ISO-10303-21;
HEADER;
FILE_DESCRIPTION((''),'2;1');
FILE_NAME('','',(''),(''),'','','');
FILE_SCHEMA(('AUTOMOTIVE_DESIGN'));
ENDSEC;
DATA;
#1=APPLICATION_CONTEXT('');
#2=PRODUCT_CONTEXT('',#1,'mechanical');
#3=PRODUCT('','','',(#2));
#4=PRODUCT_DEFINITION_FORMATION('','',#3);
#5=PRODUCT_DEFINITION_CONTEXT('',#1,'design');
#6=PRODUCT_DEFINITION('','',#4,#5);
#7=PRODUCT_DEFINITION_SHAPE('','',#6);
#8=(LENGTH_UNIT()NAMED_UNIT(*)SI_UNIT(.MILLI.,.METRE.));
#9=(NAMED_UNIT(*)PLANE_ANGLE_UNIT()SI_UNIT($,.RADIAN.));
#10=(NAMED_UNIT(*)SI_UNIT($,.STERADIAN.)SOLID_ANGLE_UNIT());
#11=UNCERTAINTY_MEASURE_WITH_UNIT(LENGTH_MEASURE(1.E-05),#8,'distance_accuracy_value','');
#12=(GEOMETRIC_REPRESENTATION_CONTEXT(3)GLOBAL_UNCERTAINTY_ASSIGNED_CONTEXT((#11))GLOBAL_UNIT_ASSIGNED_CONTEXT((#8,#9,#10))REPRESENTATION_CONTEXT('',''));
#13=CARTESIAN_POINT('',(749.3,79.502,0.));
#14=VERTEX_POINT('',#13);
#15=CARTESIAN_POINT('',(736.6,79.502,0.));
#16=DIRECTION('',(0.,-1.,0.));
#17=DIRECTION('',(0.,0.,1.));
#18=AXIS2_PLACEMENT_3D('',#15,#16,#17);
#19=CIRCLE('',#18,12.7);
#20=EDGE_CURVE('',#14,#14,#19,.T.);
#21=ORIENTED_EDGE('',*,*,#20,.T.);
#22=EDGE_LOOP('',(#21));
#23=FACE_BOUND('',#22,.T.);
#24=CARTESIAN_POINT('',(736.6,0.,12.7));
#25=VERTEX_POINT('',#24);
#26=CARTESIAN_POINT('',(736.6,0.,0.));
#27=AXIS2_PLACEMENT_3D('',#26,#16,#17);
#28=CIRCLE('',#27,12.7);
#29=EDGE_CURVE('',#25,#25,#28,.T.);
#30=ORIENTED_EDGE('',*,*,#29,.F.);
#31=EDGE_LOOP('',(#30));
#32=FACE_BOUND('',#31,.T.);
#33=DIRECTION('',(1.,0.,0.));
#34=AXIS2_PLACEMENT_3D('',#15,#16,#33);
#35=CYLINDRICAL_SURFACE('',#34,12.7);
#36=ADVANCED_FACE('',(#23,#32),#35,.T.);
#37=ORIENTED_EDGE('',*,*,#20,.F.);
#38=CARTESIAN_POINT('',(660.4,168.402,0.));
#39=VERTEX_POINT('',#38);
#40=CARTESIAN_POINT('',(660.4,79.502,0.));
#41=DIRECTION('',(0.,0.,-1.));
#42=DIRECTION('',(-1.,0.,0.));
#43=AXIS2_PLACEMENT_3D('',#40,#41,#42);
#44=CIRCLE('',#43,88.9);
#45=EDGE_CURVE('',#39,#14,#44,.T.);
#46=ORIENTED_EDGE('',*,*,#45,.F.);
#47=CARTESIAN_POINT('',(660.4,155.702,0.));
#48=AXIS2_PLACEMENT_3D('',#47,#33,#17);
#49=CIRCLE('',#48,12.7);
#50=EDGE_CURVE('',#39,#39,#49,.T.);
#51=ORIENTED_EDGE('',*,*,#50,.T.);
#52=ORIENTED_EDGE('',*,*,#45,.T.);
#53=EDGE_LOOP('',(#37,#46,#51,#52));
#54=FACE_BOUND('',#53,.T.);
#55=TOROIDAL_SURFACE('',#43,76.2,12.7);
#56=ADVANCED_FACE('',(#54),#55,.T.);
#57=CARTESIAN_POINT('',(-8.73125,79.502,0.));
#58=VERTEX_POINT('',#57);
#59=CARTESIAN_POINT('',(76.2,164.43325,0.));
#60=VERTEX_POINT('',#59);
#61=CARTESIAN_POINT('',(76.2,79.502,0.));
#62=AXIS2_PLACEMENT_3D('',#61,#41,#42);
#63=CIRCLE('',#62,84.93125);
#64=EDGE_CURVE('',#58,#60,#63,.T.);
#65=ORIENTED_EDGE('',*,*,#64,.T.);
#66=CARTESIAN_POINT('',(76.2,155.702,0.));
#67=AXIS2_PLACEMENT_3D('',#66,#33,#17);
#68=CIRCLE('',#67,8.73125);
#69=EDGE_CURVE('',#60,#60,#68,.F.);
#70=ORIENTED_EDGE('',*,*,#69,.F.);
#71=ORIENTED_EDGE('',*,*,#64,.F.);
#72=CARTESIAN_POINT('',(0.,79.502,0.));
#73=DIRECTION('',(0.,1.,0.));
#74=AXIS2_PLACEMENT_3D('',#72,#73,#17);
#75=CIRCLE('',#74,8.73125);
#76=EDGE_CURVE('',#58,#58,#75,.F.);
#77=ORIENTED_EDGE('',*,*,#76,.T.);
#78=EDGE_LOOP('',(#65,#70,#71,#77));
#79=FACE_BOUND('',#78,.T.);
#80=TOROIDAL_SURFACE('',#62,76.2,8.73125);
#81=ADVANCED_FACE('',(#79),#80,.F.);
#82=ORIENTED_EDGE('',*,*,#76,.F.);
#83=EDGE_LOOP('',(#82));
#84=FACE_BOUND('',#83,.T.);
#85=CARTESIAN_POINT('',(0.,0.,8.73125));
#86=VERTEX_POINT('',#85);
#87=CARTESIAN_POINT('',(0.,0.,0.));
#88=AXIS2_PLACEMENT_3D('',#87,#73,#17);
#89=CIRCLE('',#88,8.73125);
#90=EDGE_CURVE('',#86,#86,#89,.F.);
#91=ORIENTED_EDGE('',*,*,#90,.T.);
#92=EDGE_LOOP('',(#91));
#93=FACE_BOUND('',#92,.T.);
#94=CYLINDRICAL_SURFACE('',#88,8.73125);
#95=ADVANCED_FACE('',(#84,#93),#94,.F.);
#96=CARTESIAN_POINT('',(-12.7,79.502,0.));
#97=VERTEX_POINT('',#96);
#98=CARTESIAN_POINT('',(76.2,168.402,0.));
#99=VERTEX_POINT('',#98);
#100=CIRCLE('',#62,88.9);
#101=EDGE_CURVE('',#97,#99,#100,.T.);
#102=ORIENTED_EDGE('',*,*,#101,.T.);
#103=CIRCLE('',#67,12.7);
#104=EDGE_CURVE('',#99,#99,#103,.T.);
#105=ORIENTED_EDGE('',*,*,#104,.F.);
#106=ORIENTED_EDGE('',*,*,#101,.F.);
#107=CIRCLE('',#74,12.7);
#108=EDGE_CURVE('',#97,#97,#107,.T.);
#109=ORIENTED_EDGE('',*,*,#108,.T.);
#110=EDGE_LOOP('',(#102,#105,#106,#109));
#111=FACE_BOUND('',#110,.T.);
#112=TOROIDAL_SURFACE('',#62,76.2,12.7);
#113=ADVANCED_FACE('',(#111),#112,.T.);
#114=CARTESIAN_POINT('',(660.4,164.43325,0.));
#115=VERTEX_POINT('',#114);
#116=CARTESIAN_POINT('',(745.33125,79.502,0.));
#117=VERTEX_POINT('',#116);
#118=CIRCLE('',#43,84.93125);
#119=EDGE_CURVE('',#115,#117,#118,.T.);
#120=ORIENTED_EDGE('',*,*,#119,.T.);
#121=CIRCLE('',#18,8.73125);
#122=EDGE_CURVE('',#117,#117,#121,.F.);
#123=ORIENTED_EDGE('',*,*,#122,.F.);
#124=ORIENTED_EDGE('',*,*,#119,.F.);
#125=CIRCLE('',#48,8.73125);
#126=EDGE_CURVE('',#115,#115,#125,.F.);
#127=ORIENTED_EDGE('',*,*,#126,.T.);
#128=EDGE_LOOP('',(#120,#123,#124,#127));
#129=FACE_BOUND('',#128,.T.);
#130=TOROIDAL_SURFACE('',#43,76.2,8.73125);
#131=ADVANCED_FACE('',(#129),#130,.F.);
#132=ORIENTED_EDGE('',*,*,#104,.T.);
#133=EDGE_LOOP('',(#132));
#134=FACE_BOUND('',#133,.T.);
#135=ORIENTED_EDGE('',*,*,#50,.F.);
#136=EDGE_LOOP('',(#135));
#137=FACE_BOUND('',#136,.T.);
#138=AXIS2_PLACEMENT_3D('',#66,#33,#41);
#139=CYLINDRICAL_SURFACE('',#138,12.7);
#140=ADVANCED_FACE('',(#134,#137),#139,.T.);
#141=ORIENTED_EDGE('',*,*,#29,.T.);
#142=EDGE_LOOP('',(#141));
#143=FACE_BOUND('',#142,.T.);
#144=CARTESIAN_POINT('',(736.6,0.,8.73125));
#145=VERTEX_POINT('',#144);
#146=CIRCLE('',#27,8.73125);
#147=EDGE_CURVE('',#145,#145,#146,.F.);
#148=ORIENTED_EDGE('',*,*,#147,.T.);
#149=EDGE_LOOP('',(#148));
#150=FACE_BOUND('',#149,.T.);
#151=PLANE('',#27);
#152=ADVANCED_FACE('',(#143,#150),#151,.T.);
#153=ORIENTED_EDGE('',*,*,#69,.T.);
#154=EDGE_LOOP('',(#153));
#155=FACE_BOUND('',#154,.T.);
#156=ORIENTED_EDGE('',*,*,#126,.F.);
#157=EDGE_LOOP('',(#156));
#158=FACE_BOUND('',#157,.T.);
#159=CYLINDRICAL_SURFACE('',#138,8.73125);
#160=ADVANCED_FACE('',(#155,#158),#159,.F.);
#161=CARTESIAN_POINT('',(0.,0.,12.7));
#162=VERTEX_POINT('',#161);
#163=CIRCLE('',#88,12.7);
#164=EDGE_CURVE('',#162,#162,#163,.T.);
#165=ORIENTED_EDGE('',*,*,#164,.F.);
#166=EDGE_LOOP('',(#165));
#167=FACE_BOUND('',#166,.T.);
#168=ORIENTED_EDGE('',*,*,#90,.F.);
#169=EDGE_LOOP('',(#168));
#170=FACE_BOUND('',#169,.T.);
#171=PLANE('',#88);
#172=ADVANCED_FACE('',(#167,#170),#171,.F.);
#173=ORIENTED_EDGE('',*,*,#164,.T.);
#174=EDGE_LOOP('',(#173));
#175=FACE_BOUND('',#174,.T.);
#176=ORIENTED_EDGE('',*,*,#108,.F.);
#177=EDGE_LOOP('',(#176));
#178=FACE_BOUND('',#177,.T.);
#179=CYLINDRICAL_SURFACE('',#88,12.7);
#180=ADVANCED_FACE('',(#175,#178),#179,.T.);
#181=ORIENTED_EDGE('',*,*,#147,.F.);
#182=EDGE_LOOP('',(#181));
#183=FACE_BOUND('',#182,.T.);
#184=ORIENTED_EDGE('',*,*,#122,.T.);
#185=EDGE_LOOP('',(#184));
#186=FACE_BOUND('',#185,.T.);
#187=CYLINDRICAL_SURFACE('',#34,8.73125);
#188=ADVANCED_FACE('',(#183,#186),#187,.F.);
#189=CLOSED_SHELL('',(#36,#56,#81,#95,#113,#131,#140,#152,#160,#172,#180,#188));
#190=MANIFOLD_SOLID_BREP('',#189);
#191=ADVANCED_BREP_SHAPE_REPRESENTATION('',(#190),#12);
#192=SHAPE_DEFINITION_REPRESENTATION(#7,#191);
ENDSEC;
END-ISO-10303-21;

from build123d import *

# Parameters (mm, degrees)
SKETCH14_R   = 12.7
SKETCH14_R_2 = 8.73125


with BuildPart() as part:
    # Sweep2: sweep along a path in Sketch1
    with BuildLine(Plane.XY) as sweep2_path:
        Line((0, 0), (0, 79.502))
        ThreePointArc((0, 79.502), (22.318463274, 133.383536726), (76.2, 155.702))
        Line((76.2, 155.702), (660.4, 155.702))
        ThreePointArc((660.4, 155.702), (714.281536726, 133.383536726), (736.6, 79.502))
        Line((736.6, 79.502), (736.6, 0))
    # Sketch14 → Sweep2 (sweep)
    with BuildSketch(Plane(origin=(0, 0, 0), x_dir=(1, 0, 0), z_dir=(0, 1, 0))):
        Circle(SKETCH14_R)
        Circle(SKETCH14_R_2, mode=Mode.SUBTRACT)
    sweep(path=sweep2_path.line)


solid = part.part
